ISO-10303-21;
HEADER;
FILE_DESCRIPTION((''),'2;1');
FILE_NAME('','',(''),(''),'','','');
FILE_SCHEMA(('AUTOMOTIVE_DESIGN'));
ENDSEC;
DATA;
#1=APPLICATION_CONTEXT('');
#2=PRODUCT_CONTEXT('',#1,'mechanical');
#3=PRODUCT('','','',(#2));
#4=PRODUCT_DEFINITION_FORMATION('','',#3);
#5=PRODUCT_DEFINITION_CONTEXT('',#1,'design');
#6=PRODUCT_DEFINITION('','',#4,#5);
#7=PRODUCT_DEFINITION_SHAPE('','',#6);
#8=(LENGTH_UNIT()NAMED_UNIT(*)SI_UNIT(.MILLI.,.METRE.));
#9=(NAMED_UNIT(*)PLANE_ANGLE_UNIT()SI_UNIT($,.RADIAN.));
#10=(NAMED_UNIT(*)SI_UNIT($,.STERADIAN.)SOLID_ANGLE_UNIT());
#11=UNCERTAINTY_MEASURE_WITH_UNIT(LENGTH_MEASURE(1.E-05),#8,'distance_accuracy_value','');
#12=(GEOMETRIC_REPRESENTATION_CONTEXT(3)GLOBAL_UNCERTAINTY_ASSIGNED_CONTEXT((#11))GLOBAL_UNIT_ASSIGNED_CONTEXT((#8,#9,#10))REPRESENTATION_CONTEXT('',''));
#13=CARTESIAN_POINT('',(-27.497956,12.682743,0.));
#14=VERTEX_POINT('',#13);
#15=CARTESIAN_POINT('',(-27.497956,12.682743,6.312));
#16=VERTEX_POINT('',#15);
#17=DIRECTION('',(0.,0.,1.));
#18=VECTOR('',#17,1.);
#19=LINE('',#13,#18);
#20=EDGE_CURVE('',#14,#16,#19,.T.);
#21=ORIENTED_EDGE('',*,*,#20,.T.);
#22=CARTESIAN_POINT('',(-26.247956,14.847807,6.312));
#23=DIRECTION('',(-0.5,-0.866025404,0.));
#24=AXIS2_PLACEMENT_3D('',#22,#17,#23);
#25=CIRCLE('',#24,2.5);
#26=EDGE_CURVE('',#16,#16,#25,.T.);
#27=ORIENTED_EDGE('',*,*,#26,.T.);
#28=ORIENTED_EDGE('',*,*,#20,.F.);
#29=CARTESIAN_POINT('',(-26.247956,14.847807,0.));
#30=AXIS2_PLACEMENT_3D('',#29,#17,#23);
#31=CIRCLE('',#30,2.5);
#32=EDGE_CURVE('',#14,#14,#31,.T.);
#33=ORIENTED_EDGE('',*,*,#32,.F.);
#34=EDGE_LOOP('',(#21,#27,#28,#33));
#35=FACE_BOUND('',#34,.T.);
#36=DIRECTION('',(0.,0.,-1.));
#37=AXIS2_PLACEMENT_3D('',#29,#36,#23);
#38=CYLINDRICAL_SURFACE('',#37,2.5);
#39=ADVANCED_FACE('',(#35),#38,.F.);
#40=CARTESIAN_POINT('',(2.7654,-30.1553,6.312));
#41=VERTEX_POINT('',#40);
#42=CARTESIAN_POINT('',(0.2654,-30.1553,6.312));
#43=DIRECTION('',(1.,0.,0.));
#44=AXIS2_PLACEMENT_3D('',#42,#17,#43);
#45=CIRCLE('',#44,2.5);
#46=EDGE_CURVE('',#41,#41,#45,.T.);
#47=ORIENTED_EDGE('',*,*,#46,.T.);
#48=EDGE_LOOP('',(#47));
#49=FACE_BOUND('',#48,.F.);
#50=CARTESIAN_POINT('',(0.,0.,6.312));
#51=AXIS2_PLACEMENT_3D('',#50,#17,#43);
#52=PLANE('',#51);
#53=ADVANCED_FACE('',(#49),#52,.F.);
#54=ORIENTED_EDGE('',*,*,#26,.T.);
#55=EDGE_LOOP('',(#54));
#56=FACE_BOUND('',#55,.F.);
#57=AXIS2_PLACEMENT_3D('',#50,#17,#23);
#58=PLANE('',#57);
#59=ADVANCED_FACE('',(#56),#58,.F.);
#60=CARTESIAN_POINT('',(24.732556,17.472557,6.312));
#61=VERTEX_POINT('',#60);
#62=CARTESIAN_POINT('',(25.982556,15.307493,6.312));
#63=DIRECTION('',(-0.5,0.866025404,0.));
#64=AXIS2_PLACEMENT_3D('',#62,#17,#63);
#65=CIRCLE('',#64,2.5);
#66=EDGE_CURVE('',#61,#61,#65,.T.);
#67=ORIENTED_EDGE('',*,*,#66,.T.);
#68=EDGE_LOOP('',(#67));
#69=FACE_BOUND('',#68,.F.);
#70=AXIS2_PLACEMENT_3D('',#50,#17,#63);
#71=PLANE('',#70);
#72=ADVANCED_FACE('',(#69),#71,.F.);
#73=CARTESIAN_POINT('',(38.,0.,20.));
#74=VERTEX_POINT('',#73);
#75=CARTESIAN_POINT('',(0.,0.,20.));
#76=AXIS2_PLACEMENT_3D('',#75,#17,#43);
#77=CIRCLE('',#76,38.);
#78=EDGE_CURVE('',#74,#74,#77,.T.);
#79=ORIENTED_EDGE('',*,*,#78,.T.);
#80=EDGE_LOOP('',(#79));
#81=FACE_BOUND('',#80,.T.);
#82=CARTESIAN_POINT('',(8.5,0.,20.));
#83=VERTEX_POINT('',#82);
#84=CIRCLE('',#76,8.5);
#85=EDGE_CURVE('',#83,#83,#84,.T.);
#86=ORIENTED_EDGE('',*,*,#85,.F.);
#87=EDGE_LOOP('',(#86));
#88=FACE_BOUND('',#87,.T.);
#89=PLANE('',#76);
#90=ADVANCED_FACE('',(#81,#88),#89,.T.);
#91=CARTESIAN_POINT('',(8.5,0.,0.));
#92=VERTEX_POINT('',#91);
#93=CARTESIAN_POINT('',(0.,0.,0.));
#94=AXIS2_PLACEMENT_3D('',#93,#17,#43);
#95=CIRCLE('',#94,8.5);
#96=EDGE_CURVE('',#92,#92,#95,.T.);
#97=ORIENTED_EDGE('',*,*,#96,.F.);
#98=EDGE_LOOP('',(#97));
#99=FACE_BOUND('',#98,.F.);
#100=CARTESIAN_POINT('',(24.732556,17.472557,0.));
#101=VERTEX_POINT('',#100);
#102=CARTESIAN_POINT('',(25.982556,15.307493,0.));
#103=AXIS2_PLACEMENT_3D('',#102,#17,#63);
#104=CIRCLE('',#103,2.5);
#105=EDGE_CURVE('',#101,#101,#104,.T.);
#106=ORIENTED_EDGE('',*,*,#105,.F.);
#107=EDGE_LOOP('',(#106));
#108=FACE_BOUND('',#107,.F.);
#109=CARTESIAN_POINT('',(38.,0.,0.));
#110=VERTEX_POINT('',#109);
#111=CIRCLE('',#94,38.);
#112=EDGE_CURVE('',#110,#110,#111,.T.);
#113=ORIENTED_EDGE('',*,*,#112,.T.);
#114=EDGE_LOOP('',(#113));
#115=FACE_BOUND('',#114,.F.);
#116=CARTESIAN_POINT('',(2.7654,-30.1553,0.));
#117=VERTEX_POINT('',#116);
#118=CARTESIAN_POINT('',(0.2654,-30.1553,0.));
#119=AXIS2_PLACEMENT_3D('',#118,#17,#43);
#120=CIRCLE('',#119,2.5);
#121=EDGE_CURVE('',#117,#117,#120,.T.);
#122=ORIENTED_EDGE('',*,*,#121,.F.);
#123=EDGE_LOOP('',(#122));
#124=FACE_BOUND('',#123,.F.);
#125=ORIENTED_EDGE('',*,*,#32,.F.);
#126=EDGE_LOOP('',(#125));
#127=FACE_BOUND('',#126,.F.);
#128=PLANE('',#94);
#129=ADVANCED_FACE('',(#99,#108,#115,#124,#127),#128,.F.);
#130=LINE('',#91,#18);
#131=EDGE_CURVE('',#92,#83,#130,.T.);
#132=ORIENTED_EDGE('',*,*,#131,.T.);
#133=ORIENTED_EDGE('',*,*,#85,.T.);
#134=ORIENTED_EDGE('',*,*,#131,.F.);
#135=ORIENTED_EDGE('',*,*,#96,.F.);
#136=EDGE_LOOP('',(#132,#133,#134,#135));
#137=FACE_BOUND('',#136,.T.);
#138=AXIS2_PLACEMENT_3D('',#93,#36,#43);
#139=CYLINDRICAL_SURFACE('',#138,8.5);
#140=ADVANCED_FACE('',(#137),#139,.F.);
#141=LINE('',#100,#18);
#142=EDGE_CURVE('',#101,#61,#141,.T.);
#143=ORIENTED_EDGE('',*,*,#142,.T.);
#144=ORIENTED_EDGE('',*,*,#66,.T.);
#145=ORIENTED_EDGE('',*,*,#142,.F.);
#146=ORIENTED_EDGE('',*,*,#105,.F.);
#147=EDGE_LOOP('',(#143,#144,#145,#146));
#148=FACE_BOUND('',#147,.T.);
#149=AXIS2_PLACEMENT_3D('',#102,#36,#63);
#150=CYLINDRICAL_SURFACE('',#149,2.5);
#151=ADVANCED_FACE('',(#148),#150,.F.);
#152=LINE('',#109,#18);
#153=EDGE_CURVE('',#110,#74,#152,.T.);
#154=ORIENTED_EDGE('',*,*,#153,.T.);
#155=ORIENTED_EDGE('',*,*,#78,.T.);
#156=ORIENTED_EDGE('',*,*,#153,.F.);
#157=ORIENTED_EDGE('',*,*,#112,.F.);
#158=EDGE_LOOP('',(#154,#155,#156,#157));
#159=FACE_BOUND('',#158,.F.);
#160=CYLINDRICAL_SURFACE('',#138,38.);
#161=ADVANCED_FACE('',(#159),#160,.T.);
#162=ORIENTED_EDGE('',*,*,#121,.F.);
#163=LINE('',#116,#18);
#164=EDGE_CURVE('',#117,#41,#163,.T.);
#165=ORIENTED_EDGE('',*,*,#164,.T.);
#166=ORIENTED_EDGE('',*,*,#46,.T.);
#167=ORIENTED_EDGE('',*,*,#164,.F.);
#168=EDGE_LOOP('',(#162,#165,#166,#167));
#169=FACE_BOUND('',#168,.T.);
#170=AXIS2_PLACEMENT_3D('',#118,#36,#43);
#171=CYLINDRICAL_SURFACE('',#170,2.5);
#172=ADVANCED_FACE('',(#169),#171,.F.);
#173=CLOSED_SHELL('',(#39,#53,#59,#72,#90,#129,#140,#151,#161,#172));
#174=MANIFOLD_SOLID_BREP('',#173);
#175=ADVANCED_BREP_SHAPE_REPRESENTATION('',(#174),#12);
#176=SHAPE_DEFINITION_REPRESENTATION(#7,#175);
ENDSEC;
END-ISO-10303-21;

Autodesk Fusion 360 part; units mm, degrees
sketch "Sketch1" plane through (0, 0, 0) normal (0, 0, 1) x (1, 0, 0)
  circle A0 centre (0, 0) radius 8.5
  circle A1 centre (0, 0) radius 22.5
  circle A2 centre (0, 0) radius 38
  dimension "d1" = 45
  dimension "d2" = 17
  dimension "d3" = 76
extrude "Extrude1" add sketch "Sketch1" along normal blind 20 contours A1
sketch "Sketch2" plane through (0, 0, 0) normal (0, 0, 1) x (1, 0, 0)
  circle A0 centre (0.2654, -30.1553) radius 2.5
  dimension "d8" = 5
extrude "Extrude4" add sketch "Sketch1" along normal blind 20 contours A1 | A2
extrude "Extrude5" cut sketch "Sketch2" along normal blind 6.312
pattern_circular "C-Pattern2" count 3 over 360 about axis through (0, 0, 20) along (0, 0, 1) of "Extrude5"
